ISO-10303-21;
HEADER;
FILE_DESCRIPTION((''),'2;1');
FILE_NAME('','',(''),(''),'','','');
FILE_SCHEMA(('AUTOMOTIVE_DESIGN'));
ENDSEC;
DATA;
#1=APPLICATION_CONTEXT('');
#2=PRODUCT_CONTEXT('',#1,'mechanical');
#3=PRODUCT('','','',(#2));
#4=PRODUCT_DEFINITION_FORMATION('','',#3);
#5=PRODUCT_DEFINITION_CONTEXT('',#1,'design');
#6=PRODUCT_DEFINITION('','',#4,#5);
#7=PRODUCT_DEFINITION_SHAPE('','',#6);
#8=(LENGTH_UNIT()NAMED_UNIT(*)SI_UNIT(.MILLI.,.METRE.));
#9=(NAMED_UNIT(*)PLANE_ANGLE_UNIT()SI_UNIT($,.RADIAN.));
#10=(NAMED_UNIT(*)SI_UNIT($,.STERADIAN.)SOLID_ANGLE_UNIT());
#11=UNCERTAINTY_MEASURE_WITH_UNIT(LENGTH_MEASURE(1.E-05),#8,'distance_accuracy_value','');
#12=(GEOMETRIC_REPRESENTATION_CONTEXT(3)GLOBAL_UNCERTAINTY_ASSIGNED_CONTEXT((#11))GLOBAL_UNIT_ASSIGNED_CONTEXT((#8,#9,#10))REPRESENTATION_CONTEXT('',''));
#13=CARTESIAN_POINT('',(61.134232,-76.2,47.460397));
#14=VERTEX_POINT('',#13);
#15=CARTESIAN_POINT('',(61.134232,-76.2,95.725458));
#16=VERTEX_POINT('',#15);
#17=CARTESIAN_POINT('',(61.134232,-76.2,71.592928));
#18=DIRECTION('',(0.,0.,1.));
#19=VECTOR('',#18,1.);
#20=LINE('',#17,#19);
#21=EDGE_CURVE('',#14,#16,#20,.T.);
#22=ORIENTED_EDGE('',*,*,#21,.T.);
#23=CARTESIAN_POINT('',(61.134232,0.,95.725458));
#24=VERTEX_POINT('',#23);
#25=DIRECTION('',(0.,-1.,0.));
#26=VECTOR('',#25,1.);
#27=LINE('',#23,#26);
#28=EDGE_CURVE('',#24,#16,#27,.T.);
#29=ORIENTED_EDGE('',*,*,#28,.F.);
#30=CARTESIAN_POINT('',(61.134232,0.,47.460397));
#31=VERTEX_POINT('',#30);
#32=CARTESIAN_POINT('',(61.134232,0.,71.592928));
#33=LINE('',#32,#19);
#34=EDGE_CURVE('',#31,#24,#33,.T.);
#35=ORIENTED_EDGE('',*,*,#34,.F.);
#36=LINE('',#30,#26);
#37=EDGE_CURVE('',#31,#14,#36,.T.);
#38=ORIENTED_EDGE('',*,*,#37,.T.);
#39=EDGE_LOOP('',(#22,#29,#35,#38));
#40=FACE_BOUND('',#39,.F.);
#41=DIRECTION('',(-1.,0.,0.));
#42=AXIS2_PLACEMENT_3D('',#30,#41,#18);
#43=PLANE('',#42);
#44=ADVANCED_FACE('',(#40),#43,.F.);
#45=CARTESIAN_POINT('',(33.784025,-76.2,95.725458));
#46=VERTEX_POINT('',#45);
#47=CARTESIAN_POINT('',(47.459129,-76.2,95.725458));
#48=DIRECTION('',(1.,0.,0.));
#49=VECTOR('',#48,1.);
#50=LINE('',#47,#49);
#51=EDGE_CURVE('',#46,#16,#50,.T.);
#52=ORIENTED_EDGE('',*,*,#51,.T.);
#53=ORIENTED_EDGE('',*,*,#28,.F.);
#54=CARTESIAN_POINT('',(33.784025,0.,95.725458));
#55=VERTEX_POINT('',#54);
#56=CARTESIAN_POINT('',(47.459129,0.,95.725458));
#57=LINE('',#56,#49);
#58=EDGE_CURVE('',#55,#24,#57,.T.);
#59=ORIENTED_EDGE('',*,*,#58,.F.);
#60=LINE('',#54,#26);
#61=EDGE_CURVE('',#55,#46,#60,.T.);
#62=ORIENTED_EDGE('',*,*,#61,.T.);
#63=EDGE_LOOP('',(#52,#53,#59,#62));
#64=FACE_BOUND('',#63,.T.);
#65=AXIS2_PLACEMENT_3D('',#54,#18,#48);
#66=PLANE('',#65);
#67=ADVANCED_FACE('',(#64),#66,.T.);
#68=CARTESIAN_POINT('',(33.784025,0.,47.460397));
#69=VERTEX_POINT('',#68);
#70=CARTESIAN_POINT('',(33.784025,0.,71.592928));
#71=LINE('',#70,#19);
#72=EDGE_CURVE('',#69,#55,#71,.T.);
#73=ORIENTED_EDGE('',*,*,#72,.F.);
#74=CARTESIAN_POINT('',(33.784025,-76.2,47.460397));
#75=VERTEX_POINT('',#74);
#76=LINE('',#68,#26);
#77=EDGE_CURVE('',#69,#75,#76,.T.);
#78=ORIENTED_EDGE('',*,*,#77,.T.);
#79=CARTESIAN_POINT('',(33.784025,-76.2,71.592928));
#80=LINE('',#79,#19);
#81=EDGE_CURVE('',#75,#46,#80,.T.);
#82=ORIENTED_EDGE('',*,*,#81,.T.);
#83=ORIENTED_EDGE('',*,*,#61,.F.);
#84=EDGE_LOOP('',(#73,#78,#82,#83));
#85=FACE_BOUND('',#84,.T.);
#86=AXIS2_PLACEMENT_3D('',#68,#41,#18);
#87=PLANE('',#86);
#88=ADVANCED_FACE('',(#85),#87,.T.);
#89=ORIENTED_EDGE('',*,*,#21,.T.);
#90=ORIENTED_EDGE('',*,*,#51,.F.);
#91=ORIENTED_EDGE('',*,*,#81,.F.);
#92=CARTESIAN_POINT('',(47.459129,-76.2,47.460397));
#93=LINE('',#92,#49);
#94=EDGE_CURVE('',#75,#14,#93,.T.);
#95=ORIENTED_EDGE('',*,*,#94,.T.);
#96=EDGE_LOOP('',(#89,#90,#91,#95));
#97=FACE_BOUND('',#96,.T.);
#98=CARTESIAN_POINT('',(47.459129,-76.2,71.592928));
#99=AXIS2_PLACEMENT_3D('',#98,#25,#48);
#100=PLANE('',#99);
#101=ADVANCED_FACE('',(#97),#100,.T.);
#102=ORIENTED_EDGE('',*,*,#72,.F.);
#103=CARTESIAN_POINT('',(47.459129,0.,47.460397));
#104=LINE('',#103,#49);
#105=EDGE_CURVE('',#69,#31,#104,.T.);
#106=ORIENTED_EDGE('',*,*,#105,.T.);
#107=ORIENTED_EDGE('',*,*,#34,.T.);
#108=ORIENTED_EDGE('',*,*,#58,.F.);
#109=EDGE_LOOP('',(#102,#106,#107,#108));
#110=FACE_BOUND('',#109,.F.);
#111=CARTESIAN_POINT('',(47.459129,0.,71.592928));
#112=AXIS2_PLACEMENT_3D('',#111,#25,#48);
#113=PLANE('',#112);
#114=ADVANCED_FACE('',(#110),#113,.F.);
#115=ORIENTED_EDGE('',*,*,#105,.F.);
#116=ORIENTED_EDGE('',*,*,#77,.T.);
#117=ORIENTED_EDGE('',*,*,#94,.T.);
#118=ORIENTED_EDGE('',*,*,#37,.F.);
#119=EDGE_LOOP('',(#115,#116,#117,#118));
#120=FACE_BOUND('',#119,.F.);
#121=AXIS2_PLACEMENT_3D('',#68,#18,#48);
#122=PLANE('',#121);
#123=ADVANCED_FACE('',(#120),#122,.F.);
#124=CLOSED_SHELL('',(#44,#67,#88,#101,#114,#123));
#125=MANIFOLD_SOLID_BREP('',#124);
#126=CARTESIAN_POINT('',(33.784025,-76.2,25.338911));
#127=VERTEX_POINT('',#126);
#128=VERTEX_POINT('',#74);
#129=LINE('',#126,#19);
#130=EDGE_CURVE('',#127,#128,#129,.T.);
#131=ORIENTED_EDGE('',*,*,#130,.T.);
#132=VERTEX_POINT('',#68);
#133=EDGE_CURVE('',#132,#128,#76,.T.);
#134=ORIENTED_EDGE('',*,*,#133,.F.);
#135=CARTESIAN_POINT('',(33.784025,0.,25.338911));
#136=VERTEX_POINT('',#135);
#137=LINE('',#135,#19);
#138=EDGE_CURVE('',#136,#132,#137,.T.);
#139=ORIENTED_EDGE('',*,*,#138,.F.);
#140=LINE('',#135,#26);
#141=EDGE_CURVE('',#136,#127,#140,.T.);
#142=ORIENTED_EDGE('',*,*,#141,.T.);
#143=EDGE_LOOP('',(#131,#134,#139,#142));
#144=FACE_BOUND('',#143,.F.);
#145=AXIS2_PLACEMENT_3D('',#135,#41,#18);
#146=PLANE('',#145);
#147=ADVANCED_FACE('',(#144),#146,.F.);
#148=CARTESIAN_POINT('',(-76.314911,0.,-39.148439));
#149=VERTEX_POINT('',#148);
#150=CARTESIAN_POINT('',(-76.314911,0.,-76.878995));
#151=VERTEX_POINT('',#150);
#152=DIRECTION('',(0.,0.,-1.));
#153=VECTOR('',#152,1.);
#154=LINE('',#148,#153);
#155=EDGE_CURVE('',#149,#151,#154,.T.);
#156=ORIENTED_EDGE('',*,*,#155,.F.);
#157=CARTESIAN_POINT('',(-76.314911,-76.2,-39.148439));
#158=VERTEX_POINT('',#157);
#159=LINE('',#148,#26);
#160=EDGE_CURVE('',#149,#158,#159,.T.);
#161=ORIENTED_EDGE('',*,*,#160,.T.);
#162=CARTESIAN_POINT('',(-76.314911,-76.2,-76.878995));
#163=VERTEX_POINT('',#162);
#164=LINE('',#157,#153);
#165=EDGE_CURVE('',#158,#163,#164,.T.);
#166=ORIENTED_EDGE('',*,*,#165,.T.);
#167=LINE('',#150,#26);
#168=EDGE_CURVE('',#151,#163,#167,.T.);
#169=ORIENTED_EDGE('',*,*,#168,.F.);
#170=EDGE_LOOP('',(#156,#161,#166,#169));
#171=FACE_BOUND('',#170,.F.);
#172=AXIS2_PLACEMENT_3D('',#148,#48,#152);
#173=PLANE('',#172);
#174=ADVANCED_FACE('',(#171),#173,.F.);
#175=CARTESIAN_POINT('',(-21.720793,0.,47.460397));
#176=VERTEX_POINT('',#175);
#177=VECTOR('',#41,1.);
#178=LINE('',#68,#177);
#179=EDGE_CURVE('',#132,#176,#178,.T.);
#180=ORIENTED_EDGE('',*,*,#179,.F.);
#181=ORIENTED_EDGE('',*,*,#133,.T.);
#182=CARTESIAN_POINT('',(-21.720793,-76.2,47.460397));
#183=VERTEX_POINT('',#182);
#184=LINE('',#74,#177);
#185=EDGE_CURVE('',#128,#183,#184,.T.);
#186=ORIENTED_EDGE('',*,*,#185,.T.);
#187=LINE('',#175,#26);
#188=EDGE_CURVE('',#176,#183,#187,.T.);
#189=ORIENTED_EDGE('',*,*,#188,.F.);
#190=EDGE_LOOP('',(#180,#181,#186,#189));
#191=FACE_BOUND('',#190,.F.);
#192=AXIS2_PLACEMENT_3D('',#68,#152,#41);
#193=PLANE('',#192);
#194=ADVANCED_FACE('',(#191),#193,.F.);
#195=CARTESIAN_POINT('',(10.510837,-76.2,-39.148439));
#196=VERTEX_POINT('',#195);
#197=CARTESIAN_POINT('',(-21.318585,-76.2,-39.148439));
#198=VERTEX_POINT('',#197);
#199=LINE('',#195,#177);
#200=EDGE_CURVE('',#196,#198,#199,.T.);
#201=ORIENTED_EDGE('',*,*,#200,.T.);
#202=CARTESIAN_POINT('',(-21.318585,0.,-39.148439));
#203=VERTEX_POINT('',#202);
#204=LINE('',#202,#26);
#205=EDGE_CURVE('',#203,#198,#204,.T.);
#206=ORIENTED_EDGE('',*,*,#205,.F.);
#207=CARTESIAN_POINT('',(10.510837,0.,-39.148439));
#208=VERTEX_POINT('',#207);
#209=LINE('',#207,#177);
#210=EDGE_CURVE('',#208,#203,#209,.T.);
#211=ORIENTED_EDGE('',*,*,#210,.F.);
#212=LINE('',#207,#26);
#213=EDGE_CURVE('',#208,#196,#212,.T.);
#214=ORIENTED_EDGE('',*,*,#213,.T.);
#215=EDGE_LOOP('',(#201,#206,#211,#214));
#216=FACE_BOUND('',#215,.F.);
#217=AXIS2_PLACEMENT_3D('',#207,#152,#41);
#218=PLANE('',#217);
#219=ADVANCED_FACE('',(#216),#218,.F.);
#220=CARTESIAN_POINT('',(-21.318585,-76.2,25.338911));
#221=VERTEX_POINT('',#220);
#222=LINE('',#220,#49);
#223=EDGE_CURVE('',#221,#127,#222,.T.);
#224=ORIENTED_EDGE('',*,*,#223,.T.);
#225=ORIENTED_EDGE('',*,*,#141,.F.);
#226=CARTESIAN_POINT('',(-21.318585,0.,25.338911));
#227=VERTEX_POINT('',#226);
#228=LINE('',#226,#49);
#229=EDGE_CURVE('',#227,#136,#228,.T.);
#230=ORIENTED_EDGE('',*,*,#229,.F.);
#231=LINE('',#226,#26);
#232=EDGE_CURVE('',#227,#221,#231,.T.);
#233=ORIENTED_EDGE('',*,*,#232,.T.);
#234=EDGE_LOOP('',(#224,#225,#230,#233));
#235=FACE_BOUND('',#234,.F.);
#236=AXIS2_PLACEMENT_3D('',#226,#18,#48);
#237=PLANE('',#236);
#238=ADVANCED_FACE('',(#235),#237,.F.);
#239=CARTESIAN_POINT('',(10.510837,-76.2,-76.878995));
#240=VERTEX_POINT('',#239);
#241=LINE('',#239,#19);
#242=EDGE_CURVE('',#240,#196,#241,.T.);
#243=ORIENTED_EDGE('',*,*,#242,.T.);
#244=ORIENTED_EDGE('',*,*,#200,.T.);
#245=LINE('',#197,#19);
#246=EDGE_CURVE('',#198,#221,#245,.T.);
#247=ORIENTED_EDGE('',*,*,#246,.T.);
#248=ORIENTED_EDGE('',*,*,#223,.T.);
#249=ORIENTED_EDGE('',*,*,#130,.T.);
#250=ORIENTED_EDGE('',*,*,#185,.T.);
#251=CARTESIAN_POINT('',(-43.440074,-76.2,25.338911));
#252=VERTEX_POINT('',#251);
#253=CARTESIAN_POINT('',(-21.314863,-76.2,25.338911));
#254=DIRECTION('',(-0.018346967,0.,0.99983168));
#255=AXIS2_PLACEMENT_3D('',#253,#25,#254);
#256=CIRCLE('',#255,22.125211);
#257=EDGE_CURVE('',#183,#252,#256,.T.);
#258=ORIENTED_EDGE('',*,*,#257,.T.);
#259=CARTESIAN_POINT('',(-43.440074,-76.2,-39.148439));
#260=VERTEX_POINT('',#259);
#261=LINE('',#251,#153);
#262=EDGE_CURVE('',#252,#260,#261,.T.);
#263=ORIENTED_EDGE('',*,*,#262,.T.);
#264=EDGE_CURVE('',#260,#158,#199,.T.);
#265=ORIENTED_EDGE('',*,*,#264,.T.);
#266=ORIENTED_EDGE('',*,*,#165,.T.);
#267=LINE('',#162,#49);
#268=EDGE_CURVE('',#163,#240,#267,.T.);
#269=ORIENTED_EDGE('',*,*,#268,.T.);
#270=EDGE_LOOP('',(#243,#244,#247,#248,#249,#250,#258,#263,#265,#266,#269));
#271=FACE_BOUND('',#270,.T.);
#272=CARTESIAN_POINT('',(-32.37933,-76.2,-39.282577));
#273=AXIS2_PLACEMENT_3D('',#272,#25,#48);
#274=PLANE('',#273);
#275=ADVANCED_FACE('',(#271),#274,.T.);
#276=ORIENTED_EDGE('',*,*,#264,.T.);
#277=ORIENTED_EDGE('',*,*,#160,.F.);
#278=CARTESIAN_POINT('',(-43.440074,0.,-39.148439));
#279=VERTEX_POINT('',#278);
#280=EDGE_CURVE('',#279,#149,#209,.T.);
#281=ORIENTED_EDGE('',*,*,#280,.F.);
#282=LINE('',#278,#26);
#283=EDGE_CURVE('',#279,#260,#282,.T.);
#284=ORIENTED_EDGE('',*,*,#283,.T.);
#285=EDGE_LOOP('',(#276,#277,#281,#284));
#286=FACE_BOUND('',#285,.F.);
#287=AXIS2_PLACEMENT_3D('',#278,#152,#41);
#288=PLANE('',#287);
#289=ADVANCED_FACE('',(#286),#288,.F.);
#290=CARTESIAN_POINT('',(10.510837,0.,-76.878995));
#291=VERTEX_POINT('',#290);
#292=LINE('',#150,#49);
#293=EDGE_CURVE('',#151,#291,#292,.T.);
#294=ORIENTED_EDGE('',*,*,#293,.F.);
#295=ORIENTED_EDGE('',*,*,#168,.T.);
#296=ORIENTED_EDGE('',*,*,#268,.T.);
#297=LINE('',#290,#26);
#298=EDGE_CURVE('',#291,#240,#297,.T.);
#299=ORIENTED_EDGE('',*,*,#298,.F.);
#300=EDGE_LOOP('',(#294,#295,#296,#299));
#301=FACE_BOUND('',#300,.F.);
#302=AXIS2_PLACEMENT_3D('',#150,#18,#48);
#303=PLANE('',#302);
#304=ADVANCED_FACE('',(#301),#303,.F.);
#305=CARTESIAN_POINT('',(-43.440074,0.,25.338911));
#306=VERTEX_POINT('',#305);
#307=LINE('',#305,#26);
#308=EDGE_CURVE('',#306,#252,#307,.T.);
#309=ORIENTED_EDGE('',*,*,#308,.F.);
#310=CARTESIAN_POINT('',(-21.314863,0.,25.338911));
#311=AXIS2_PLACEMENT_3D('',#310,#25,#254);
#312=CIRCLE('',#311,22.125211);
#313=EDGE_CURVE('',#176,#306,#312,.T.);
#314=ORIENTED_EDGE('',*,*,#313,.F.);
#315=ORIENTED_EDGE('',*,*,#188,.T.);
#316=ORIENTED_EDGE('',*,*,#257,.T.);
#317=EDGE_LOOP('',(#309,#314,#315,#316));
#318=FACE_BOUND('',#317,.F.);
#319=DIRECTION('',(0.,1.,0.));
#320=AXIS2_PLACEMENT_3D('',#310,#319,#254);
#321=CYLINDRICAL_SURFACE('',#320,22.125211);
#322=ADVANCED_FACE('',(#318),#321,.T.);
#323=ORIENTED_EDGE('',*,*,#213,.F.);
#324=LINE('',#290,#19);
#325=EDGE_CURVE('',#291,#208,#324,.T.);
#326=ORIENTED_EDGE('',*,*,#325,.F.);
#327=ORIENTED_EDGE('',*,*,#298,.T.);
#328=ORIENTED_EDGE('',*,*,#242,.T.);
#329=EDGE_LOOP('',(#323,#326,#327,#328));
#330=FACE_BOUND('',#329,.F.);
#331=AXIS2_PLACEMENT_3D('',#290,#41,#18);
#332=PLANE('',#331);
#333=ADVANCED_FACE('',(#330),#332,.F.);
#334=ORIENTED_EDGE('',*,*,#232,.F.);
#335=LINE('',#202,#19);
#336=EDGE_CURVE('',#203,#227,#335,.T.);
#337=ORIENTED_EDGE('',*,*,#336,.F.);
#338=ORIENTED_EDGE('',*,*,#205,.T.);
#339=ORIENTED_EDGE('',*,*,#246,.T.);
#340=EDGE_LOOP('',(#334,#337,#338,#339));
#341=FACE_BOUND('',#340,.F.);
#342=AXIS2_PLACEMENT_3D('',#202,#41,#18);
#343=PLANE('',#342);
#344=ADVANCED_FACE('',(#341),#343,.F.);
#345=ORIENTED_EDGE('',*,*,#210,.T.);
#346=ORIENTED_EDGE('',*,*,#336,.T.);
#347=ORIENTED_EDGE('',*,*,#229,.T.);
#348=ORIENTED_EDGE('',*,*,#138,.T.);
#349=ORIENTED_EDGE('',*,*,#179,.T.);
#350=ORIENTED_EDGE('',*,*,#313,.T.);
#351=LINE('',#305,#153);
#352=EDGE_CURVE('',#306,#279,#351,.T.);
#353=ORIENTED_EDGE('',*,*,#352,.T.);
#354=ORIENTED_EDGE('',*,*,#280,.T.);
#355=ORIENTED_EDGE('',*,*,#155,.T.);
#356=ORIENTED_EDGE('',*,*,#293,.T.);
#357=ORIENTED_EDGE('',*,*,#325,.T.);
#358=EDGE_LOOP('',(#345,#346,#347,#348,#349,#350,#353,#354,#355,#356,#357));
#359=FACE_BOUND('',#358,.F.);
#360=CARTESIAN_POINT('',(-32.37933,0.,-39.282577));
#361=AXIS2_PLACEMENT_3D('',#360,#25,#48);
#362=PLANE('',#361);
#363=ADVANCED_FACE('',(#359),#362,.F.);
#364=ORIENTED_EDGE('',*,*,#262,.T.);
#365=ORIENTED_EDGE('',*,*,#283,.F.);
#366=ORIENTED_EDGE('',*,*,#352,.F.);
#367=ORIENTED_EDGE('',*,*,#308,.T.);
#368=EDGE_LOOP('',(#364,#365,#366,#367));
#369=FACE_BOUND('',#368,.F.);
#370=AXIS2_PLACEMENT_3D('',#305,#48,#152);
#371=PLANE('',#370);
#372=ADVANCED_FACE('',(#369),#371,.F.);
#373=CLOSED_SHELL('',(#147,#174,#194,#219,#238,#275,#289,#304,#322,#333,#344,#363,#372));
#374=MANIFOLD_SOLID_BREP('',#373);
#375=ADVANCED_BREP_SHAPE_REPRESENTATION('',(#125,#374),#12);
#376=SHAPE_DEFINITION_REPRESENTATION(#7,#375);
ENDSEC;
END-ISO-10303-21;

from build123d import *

# Parameters (mm, degrees)
F0_W     = 22.1214885292
F0_H     = 0.2682758373
F1_DEPTH = 76.2
F0_W_2   = 27.350206277
F0_H_2   = 48.2650607879


with BuildPart() as f1:
    # F0 (on Front) → F1 (new body)
    with BuildSketch(Plane.XZ):
        with Locations((-32.3793296038, -39.2825766405)):
            Rectangle(F0_W, F0_H)
        Polygon((-21.3185853392, -39.4167145592), (-43.4400738683, -39.4167145592), (-43.4400738683, -39.1484387219), (-76.3149112463, -39.1484387219), (-76.3149112463, -76.8789947033), (10.5108367279, -76.8789947033), (10.5108367279, -39.1484387219), (-21.3185853392, -39.1484387219), align=None)
        Polygon((-43.4400738683, 25.3389106147), (-43.4400738683, -39.1484387219), (-21.3185853392, -39.1484387219), (-21.3185853392, 25.3389106147), (-21.7207933825, 25.3389106147), align=None)
        with BuildLine():
            ThreePointArc((-21.7207933825, 47.4603974958), (-37.1026154006, 40.8396148459), (-43.4400738683, 25.3389106147))
            Line((-43.4400738683, 25.3389106147), (-21.7207933825, 25.3389106147))
            Line((-21.7207933825, 25.3389106147), (-21.7207933825, 47.4603974958))
        make_face()
        Polygon((-21.7207933825, 25.3389106147), (-21.3185853392, 25.3389106147), (33.7840253699, 25.3389106147), (33.7840253699, 47.4603974958), (-21.7207933825, 47.4603974958), align=None)
    extrude(amount=F1_DEPTH)


with BuildPart() as f1b:
    # F0 (on Front) → F1, piece 2 (new body)
    with BuildSketch(Plane.XZ):
        with Locations((47.4591285084, 71.5929278897)):
            Rectangle(F0_W_2, F0_H_2)
    extrude(amount=F1_DEPTH)


solid = Compound([f1.part, f1b.part])
